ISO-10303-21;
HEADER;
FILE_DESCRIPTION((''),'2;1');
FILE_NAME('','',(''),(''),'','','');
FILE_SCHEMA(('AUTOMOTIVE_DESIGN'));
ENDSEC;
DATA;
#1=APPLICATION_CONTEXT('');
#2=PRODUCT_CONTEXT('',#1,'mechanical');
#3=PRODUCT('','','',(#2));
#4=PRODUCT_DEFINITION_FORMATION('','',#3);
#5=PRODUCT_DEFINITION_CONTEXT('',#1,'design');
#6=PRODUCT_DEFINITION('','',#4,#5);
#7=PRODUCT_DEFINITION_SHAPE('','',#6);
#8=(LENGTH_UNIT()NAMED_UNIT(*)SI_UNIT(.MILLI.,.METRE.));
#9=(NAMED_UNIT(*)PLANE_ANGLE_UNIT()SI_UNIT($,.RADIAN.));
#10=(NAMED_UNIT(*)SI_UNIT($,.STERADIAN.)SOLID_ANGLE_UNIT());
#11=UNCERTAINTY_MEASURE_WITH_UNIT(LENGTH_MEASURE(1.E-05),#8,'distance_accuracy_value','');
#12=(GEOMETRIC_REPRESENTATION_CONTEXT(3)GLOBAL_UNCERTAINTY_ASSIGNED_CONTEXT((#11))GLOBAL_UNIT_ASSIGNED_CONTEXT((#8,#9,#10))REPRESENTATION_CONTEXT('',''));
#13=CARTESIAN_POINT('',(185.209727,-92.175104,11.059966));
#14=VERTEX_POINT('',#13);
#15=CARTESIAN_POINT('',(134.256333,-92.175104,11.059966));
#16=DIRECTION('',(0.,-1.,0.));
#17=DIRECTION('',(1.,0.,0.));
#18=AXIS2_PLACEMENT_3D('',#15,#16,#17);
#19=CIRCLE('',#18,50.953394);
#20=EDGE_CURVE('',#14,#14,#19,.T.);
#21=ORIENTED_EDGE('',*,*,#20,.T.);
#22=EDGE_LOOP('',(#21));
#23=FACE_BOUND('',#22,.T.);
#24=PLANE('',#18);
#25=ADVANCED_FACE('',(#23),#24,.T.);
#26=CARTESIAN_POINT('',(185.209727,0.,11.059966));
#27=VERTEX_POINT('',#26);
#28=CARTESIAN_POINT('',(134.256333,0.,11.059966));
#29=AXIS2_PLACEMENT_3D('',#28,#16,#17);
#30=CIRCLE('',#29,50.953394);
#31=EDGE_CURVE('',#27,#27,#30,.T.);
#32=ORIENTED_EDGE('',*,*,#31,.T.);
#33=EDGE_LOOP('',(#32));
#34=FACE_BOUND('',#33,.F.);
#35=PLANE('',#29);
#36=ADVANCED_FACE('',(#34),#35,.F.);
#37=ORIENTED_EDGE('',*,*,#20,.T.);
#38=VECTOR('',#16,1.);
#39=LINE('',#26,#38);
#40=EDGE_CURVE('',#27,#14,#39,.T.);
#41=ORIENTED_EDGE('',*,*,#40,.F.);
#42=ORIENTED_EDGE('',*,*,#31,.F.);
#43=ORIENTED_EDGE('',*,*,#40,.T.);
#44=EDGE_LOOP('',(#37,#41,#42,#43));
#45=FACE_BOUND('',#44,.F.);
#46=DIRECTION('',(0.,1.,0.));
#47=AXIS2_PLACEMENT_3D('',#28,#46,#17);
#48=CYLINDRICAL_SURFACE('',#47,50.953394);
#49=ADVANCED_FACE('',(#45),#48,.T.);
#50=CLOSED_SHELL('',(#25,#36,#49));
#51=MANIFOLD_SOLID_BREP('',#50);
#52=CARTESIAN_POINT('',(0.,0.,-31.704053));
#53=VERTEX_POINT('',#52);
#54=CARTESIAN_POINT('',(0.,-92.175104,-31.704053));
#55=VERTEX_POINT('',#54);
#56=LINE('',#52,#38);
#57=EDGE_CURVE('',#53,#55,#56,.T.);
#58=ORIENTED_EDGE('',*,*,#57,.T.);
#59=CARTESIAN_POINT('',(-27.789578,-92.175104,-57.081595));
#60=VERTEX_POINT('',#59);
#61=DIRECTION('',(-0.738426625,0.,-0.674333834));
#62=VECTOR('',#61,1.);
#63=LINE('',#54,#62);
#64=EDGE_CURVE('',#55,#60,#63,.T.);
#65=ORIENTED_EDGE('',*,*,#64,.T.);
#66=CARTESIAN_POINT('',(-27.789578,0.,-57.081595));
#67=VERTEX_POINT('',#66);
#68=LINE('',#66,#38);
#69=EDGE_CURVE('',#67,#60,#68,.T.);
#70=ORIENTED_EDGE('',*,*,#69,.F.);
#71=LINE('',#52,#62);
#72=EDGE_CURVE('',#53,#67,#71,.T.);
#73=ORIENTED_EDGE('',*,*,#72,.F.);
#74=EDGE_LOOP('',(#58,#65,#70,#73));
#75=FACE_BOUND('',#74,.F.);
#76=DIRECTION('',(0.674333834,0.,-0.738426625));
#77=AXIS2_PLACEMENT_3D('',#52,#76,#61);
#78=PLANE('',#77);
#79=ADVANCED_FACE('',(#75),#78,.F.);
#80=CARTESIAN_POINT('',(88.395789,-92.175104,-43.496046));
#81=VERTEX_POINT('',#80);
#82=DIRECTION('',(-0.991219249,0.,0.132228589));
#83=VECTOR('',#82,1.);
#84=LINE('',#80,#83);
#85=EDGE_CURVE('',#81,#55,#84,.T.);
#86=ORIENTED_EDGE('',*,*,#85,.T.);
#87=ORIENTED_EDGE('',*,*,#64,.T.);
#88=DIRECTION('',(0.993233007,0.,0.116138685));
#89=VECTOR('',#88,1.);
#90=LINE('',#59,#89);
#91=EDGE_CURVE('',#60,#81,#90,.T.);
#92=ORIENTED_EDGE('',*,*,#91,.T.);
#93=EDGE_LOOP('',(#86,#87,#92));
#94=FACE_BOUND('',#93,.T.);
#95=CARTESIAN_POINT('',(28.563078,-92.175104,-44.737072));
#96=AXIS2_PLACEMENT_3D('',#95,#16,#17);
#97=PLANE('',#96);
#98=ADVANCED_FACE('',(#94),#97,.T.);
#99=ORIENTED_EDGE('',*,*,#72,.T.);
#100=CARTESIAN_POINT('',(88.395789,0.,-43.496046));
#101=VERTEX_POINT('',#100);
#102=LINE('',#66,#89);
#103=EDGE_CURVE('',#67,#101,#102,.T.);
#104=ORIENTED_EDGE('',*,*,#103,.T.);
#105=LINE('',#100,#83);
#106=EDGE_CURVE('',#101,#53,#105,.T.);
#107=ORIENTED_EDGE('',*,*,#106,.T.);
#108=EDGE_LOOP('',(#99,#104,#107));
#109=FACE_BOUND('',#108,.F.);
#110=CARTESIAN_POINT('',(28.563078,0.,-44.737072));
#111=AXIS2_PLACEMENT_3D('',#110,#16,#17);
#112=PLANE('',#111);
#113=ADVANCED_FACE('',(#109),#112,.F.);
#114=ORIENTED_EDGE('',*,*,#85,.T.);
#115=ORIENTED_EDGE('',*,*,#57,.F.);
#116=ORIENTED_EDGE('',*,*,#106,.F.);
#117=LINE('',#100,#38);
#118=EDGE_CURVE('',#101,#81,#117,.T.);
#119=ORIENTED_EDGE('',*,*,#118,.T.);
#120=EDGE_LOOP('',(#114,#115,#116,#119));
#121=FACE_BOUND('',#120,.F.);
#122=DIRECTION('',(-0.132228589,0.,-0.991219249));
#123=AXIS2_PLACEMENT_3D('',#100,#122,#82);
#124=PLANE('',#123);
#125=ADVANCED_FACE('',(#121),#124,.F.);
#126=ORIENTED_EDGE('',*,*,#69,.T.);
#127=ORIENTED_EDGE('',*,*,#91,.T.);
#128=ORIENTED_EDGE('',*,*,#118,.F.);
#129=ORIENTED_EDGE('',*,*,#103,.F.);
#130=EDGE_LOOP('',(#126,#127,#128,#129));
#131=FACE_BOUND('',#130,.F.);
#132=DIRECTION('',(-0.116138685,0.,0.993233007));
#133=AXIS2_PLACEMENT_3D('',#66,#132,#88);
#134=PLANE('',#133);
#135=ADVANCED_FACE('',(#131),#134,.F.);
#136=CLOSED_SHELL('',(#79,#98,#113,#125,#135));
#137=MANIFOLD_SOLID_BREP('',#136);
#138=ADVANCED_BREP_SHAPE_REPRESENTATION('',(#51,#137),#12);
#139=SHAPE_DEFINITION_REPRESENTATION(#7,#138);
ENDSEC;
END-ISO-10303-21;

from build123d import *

# Parameters (mm, degrees)
F0_R     = 50.953394
F1_DEPTH = 92.175104


with BuildPart() as f1:
    # F0 (on Front) → F1 (new body)
    with BuildSketch(Plane.XZ):
        Polygon((88.395789, -43.496046), (0, -31.704053), (-27.789578, -57.081595), align=None)
        with Locations((134.256333, 11.059966)):
            Circle(F0_R)
    extrude(amount=F1_DEPTH)


solid = f1.part
